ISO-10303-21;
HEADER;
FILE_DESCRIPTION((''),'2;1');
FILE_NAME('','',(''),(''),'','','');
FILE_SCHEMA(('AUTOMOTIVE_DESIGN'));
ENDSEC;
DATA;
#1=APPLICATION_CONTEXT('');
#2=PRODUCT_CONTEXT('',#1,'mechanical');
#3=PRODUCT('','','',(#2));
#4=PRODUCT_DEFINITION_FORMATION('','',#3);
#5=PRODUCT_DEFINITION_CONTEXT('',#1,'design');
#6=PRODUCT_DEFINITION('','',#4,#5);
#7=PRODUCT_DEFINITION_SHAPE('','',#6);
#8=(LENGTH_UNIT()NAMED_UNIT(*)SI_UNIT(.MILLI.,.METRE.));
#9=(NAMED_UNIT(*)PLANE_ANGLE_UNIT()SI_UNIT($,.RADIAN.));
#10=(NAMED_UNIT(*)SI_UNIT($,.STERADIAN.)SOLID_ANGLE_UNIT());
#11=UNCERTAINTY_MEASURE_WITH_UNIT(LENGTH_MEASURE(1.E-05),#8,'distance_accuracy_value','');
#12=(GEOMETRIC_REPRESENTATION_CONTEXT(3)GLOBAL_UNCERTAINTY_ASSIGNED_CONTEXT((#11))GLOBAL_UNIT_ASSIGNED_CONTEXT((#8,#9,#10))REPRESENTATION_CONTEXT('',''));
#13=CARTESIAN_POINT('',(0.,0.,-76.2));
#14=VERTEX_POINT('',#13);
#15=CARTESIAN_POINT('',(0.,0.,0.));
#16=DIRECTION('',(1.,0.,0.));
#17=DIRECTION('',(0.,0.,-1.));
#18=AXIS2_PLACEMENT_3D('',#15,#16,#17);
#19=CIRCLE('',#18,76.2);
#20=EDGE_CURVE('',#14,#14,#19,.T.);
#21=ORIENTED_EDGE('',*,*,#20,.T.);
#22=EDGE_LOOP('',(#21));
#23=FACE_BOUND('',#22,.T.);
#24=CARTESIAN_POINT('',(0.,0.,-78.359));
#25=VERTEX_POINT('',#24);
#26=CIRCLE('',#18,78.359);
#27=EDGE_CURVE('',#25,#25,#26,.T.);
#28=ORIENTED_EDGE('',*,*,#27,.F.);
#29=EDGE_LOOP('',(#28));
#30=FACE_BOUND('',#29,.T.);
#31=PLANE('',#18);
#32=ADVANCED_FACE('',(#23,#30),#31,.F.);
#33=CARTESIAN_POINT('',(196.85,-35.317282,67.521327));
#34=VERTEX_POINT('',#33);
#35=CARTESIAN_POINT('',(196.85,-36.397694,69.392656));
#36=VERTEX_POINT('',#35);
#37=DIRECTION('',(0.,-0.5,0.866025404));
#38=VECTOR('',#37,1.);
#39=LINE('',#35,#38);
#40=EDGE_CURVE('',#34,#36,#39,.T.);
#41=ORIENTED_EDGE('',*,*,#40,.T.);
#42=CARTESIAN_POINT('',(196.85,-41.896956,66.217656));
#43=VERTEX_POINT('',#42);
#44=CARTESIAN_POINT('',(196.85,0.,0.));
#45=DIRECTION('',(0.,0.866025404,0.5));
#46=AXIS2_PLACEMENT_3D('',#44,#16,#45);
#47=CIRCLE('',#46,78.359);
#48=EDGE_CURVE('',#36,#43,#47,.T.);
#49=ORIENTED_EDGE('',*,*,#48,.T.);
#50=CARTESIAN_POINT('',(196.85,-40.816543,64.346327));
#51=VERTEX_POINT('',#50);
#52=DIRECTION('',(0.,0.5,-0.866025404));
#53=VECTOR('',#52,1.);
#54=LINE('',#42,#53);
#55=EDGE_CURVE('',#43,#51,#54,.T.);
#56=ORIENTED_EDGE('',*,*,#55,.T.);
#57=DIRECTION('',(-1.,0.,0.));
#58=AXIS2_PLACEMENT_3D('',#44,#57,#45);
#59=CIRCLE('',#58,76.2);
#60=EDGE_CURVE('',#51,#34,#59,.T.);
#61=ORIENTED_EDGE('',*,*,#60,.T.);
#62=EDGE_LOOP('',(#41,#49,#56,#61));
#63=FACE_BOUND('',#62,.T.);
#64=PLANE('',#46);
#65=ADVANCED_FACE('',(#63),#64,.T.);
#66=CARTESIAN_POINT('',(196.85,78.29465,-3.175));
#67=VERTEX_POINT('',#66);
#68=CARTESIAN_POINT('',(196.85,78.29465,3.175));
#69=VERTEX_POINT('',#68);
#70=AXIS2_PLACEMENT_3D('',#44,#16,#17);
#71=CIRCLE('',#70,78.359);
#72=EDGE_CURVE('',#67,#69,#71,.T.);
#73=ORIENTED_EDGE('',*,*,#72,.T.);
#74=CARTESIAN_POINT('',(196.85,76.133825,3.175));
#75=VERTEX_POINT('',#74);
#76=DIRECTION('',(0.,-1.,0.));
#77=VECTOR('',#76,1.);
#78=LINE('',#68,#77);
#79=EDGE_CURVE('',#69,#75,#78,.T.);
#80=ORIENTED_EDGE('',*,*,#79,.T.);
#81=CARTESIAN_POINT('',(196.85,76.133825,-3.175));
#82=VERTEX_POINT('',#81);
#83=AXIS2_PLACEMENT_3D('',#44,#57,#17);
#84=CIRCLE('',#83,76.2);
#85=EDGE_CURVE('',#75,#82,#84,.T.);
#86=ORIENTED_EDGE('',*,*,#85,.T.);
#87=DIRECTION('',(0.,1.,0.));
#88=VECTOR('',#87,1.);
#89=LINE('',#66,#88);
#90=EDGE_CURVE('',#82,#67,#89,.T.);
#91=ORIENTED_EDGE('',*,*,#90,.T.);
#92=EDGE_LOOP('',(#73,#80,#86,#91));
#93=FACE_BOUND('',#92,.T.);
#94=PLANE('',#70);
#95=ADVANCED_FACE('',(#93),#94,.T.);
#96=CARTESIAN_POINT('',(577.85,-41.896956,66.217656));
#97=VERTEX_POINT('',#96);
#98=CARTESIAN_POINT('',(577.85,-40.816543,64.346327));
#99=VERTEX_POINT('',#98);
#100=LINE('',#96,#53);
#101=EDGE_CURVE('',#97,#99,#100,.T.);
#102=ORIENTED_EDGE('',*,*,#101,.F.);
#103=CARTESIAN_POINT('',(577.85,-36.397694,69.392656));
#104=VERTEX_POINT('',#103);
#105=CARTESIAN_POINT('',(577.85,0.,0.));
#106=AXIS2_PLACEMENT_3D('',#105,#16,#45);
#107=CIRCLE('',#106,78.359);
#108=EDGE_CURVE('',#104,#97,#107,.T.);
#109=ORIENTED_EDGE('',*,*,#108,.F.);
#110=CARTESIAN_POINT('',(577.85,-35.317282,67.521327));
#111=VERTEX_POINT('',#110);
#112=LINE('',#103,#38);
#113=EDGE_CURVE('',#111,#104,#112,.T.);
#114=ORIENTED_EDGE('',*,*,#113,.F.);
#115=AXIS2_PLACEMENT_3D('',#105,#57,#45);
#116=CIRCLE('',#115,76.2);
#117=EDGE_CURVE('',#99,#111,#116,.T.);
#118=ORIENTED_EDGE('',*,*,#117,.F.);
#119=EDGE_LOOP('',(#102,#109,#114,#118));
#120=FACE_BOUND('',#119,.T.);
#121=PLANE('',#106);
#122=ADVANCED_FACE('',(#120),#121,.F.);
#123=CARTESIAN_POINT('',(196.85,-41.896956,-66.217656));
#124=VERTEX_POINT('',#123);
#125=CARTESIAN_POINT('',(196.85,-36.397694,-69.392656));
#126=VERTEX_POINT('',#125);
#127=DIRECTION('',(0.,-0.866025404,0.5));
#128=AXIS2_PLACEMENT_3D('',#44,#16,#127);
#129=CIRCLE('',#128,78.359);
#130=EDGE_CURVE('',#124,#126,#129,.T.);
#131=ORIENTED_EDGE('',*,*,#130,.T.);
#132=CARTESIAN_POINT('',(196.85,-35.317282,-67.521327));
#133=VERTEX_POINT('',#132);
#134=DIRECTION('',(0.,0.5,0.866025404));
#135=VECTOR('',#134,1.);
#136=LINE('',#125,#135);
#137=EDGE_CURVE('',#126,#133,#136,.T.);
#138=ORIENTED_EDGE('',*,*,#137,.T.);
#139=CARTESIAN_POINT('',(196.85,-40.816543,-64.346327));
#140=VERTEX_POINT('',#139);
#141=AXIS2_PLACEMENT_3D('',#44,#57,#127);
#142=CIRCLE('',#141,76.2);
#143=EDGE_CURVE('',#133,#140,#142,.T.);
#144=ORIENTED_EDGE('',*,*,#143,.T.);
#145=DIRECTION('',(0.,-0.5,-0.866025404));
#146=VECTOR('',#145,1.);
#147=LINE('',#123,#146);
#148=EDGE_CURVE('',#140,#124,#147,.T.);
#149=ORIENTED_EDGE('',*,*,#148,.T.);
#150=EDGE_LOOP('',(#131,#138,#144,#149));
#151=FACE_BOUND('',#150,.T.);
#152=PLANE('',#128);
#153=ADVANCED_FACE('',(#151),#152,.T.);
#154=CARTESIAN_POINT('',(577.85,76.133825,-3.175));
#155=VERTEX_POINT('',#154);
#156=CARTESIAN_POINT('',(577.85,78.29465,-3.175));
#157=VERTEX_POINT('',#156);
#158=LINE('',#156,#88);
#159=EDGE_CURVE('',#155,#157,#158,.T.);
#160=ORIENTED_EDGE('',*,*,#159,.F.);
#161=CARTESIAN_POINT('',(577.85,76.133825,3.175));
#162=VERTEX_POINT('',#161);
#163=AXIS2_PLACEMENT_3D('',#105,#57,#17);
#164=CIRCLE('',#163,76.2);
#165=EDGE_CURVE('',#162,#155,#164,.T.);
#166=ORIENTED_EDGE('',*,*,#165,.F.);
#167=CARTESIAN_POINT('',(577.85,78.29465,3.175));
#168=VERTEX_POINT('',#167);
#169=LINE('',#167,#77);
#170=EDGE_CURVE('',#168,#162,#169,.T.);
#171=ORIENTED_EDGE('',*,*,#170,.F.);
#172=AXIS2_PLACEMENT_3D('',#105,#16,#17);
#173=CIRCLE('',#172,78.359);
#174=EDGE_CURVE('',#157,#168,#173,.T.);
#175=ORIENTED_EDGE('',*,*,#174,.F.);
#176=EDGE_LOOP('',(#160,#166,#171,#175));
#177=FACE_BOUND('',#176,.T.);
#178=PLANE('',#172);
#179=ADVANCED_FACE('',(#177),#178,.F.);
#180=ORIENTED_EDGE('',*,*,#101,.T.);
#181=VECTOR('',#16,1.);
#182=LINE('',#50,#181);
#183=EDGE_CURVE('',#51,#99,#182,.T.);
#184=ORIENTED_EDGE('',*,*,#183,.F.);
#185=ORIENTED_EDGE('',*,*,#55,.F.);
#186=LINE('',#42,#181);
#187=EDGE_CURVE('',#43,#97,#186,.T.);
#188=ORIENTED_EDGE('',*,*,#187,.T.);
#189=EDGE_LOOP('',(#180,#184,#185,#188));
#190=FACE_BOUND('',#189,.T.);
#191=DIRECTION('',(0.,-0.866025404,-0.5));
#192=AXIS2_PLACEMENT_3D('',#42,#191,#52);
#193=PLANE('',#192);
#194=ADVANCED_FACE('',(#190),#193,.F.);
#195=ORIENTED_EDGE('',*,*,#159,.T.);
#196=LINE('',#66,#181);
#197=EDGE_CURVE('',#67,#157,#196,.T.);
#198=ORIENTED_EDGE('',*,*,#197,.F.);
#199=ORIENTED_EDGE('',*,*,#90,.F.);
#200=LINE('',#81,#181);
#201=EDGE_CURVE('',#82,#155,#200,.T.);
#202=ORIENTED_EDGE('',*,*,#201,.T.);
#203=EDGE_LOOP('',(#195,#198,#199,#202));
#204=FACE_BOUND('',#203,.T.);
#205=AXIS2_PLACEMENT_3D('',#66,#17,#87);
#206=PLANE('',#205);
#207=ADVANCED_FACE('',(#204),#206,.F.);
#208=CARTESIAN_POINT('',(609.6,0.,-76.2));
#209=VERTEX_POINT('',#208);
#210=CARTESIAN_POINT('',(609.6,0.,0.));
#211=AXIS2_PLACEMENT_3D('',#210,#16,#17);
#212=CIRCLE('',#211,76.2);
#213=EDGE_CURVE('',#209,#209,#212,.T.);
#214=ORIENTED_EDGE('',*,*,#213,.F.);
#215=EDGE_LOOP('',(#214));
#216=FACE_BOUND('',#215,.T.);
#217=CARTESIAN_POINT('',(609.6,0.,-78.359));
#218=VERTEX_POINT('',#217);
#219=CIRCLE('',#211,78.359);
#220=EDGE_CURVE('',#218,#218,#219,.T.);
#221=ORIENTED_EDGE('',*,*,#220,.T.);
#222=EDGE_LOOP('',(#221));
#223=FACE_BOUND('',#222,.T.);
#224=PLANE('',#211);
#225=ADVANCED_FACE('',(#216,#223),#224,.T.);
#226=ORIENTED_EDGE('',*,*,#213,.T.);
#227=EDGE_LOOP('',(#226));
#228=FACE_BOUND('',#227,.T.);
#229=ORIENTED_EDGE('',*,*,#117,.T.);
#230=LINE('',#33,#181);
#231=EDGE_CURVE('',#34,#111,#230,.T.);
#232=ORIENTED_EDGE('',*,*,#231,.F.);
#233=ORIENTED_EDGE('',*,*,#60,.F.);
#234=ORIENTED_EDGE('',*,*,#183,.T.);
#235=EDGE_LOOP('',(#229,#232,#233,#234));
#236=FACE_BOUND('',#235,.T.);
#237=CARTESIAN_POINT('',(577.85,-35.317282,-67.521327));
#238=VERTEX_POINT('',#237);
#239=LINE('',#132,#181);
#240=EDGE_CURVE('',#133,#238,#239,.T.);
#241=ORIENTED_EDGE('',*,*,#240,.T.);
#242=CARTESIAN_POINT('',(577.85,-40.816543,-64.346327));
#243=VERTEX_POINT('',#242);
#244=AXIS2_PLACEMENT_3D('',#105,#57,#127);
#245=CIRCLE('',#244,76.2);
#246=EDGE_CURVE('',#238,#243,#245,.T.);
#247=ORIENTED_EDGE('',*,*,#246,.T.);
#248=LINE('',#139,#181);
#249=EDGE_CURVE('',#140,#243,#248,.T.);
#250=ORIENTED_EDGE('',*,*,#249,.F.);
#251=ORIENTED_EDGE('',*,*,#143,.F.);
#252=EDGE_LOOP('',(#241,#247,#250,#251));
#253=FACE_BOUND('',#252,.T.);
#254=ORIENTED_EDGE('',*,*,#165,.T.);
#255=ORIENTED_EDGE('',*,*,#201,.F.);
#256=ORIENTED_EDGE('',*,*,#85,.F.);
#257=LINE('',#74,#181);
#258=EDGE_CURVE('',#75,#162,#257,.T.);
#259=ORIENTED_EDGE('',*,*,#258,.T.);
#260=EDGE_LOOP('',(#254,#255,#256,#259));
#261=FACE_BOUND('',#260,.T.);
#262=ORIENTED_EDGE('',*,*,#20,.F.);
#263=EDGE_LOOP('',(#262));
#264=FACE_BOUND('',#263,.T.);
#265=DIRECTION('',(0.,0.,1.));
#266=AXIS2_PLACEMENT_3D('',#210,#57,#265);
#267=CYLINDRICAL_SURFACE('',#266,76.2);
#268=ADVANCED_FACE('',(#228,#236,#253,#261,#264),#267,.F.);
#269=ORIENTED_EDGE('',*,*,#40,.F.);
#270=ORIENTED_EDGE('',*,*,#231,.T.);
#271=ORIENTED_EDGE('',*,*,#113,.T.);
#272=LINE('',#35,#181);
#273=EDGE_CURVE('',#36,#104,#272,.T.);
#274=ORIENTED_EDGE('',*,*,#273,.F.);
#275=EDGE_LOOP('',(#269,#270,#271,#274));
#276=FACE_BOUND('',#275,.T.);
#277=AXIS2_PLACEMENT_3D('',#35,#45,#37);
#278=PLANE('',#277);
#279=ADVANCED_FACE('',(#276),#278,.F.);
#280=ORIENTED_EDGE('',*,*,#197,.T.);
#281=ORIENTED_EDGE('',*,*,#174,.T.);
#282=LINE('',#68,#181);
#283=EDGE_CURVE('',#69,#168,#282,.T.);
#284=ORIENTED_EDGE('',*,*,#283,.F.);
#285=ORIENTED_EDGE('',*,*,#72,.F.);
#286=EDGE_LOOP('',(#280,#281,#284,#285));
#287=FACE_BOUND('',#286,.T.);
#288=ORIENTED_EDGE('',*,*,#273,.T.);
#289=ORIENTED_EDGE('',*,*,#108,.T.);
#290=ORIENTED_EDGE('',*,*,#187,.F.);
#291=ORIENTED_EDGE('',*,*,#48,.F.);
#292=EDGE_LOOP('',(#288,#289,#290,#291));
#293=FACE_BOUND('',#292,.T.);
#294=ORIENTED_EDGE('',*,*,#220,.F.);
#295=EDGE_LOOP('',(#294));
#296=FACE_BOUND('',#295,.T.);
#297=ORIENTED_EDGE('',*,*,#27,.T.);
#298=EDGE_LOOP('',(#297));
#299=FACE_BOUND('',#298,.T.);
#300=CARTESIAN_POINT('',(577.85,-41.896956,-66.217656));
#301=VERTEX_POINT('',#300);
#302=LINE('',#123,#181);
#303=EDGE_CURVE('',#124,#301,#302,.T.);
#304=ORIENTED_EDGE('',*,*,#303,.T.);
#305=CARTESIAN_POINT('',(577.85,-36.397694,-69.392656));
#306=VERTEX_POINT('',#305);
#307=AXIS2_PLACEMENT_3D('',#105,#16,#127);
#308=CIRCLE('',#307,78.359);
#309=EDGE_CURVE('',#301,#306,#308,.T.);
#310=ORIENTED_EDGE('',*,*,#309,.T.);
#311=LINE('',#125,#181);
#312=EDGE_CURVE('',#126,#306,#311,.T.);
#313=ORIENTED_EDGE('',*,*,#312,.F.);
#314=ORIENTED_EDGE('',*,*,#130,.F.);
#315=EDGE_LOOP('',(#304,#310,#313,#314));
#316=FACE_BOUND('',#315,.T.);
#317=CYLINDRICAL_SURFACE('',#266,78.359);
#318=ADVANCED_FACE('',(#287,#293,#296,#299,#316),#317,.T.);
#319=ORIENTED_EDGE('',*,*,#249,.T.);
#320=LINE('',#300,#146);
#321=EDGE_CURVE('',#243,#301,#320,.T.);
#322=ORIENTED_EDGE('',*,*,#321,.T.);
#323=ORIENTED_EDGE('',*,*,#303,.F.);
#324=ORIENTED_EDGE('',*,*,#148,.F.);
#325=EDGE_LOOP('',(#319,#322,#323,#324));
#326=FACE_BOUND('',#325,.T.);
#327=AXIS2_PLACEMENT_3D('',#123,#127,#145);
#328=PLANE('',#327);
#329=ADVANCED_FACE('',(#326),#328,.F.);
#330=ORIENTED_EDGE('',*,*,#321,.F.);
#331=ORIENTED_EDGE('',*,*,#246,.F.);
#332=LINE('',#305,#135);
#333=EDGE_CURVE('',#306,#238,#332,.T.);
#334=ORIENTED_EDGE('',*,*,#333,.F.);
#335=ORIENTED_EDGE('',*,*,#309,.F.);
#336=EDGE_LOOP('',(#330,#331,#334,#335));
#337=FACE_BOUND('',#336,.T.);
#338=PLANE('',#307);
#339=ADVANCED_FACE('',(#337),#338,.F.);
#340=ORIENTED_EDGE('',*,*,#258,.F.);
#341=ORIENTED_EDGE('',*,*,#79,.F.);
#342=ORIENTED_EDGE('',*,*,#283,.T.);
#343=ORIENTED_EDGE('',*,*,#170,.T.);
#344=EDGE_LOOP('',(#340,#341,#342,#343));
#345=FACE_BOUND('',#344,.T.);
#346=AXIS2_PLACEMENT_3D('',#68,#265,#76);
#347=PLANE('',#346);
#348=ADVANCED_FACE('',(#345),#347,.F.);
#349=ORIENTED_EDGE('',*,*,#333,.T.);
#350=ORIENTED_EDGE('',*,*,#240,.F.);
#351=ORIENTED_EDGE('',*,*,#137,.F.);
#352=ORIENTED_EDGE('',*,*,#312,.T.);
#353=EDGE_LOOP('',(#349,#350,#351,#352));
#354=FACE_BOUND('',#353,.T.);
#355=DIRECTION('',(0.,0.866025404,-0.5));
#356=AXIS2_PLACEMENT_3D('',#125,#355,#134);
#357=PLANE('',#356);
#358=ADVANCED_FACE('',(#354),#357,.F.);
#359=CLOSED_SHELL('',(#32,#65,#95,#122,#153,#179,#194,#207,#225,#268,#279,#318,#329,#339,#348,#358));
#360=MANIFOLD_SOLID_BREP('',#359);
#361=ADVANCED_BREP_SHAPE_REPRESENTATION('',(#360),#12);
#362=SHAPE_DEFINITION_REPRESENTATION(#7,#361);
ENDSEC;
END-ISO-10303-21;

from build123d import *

# Parameters (mm, degrees)
SKETCH1_R           = 78.359
SKETCH1_R_2         = 76.2
BOSS_EXTRUDE1_DEPTH = 609.6
CUT_EXTRUDE1_START  = -381
CUT_EXTRUDE1_DEPTH  = 381
CIRPATTERN1_COUNT   = 3


with BuildPart() as part:
    # Sketch1 → Boss-Extrude1 (new body)
    with BuildSketch(Plane(origin=(0, 0, 0), x_dir=(0, 0, -1), z_dir=(1, 0, 0))):
        with Locations(Location((0, 0, 0), (0, 0, 180))):
            Circle(SKETCH1_R)
        with Locations(Location((0, 0, 0), (0, 0, 180))):
            Circle(SKETCH1_R_2, mode=Mode.SUBTRACT)
    extrude(amount=BOSS_EXTRUDE1_DEPTH)

    # Sketch3 → Cut-Extrude1 (cut)
    with BuildSketch(Plane(origin=(577.85, 0, 0), x_dir=(0, 0, -1), z_dir=(1, 0, 0)).offset(CUT_EXTRUDE1_START)):
        with BuildLine():
            Line((-3.175, 78.294650239), (-3.175, 76.133825433))
            ThreePointArc((-3.175, 76.133825433), (0, 76.2), (3.175, 76.133825433))
            Line((3.175, 76.133825433), (3.175, 78.294650239))
            ThreePointArc((3.175, 78.294650239), (0, 78.359), (-3.175, 78.294650239))
        make_face()
    cut_extrude1 = extrude(amount=CUT_EXTRUDE1_DEPTH, mode=Mode.SUBTRACT)

    # CirPattern1: Cut-Extrude1 ×3 about axis
    cirpattern1_axis = Axis((0, 0, 0), (1, 0, 0))
    for i in range(1, CIRPATTERN1_COUNT):
        add(cut_extrude1.rotate(cirpattern1_axis, i * 360 / CIRPATTERN1_COUNT), mode=Mode.SUBTRACT)


solid = part.part
